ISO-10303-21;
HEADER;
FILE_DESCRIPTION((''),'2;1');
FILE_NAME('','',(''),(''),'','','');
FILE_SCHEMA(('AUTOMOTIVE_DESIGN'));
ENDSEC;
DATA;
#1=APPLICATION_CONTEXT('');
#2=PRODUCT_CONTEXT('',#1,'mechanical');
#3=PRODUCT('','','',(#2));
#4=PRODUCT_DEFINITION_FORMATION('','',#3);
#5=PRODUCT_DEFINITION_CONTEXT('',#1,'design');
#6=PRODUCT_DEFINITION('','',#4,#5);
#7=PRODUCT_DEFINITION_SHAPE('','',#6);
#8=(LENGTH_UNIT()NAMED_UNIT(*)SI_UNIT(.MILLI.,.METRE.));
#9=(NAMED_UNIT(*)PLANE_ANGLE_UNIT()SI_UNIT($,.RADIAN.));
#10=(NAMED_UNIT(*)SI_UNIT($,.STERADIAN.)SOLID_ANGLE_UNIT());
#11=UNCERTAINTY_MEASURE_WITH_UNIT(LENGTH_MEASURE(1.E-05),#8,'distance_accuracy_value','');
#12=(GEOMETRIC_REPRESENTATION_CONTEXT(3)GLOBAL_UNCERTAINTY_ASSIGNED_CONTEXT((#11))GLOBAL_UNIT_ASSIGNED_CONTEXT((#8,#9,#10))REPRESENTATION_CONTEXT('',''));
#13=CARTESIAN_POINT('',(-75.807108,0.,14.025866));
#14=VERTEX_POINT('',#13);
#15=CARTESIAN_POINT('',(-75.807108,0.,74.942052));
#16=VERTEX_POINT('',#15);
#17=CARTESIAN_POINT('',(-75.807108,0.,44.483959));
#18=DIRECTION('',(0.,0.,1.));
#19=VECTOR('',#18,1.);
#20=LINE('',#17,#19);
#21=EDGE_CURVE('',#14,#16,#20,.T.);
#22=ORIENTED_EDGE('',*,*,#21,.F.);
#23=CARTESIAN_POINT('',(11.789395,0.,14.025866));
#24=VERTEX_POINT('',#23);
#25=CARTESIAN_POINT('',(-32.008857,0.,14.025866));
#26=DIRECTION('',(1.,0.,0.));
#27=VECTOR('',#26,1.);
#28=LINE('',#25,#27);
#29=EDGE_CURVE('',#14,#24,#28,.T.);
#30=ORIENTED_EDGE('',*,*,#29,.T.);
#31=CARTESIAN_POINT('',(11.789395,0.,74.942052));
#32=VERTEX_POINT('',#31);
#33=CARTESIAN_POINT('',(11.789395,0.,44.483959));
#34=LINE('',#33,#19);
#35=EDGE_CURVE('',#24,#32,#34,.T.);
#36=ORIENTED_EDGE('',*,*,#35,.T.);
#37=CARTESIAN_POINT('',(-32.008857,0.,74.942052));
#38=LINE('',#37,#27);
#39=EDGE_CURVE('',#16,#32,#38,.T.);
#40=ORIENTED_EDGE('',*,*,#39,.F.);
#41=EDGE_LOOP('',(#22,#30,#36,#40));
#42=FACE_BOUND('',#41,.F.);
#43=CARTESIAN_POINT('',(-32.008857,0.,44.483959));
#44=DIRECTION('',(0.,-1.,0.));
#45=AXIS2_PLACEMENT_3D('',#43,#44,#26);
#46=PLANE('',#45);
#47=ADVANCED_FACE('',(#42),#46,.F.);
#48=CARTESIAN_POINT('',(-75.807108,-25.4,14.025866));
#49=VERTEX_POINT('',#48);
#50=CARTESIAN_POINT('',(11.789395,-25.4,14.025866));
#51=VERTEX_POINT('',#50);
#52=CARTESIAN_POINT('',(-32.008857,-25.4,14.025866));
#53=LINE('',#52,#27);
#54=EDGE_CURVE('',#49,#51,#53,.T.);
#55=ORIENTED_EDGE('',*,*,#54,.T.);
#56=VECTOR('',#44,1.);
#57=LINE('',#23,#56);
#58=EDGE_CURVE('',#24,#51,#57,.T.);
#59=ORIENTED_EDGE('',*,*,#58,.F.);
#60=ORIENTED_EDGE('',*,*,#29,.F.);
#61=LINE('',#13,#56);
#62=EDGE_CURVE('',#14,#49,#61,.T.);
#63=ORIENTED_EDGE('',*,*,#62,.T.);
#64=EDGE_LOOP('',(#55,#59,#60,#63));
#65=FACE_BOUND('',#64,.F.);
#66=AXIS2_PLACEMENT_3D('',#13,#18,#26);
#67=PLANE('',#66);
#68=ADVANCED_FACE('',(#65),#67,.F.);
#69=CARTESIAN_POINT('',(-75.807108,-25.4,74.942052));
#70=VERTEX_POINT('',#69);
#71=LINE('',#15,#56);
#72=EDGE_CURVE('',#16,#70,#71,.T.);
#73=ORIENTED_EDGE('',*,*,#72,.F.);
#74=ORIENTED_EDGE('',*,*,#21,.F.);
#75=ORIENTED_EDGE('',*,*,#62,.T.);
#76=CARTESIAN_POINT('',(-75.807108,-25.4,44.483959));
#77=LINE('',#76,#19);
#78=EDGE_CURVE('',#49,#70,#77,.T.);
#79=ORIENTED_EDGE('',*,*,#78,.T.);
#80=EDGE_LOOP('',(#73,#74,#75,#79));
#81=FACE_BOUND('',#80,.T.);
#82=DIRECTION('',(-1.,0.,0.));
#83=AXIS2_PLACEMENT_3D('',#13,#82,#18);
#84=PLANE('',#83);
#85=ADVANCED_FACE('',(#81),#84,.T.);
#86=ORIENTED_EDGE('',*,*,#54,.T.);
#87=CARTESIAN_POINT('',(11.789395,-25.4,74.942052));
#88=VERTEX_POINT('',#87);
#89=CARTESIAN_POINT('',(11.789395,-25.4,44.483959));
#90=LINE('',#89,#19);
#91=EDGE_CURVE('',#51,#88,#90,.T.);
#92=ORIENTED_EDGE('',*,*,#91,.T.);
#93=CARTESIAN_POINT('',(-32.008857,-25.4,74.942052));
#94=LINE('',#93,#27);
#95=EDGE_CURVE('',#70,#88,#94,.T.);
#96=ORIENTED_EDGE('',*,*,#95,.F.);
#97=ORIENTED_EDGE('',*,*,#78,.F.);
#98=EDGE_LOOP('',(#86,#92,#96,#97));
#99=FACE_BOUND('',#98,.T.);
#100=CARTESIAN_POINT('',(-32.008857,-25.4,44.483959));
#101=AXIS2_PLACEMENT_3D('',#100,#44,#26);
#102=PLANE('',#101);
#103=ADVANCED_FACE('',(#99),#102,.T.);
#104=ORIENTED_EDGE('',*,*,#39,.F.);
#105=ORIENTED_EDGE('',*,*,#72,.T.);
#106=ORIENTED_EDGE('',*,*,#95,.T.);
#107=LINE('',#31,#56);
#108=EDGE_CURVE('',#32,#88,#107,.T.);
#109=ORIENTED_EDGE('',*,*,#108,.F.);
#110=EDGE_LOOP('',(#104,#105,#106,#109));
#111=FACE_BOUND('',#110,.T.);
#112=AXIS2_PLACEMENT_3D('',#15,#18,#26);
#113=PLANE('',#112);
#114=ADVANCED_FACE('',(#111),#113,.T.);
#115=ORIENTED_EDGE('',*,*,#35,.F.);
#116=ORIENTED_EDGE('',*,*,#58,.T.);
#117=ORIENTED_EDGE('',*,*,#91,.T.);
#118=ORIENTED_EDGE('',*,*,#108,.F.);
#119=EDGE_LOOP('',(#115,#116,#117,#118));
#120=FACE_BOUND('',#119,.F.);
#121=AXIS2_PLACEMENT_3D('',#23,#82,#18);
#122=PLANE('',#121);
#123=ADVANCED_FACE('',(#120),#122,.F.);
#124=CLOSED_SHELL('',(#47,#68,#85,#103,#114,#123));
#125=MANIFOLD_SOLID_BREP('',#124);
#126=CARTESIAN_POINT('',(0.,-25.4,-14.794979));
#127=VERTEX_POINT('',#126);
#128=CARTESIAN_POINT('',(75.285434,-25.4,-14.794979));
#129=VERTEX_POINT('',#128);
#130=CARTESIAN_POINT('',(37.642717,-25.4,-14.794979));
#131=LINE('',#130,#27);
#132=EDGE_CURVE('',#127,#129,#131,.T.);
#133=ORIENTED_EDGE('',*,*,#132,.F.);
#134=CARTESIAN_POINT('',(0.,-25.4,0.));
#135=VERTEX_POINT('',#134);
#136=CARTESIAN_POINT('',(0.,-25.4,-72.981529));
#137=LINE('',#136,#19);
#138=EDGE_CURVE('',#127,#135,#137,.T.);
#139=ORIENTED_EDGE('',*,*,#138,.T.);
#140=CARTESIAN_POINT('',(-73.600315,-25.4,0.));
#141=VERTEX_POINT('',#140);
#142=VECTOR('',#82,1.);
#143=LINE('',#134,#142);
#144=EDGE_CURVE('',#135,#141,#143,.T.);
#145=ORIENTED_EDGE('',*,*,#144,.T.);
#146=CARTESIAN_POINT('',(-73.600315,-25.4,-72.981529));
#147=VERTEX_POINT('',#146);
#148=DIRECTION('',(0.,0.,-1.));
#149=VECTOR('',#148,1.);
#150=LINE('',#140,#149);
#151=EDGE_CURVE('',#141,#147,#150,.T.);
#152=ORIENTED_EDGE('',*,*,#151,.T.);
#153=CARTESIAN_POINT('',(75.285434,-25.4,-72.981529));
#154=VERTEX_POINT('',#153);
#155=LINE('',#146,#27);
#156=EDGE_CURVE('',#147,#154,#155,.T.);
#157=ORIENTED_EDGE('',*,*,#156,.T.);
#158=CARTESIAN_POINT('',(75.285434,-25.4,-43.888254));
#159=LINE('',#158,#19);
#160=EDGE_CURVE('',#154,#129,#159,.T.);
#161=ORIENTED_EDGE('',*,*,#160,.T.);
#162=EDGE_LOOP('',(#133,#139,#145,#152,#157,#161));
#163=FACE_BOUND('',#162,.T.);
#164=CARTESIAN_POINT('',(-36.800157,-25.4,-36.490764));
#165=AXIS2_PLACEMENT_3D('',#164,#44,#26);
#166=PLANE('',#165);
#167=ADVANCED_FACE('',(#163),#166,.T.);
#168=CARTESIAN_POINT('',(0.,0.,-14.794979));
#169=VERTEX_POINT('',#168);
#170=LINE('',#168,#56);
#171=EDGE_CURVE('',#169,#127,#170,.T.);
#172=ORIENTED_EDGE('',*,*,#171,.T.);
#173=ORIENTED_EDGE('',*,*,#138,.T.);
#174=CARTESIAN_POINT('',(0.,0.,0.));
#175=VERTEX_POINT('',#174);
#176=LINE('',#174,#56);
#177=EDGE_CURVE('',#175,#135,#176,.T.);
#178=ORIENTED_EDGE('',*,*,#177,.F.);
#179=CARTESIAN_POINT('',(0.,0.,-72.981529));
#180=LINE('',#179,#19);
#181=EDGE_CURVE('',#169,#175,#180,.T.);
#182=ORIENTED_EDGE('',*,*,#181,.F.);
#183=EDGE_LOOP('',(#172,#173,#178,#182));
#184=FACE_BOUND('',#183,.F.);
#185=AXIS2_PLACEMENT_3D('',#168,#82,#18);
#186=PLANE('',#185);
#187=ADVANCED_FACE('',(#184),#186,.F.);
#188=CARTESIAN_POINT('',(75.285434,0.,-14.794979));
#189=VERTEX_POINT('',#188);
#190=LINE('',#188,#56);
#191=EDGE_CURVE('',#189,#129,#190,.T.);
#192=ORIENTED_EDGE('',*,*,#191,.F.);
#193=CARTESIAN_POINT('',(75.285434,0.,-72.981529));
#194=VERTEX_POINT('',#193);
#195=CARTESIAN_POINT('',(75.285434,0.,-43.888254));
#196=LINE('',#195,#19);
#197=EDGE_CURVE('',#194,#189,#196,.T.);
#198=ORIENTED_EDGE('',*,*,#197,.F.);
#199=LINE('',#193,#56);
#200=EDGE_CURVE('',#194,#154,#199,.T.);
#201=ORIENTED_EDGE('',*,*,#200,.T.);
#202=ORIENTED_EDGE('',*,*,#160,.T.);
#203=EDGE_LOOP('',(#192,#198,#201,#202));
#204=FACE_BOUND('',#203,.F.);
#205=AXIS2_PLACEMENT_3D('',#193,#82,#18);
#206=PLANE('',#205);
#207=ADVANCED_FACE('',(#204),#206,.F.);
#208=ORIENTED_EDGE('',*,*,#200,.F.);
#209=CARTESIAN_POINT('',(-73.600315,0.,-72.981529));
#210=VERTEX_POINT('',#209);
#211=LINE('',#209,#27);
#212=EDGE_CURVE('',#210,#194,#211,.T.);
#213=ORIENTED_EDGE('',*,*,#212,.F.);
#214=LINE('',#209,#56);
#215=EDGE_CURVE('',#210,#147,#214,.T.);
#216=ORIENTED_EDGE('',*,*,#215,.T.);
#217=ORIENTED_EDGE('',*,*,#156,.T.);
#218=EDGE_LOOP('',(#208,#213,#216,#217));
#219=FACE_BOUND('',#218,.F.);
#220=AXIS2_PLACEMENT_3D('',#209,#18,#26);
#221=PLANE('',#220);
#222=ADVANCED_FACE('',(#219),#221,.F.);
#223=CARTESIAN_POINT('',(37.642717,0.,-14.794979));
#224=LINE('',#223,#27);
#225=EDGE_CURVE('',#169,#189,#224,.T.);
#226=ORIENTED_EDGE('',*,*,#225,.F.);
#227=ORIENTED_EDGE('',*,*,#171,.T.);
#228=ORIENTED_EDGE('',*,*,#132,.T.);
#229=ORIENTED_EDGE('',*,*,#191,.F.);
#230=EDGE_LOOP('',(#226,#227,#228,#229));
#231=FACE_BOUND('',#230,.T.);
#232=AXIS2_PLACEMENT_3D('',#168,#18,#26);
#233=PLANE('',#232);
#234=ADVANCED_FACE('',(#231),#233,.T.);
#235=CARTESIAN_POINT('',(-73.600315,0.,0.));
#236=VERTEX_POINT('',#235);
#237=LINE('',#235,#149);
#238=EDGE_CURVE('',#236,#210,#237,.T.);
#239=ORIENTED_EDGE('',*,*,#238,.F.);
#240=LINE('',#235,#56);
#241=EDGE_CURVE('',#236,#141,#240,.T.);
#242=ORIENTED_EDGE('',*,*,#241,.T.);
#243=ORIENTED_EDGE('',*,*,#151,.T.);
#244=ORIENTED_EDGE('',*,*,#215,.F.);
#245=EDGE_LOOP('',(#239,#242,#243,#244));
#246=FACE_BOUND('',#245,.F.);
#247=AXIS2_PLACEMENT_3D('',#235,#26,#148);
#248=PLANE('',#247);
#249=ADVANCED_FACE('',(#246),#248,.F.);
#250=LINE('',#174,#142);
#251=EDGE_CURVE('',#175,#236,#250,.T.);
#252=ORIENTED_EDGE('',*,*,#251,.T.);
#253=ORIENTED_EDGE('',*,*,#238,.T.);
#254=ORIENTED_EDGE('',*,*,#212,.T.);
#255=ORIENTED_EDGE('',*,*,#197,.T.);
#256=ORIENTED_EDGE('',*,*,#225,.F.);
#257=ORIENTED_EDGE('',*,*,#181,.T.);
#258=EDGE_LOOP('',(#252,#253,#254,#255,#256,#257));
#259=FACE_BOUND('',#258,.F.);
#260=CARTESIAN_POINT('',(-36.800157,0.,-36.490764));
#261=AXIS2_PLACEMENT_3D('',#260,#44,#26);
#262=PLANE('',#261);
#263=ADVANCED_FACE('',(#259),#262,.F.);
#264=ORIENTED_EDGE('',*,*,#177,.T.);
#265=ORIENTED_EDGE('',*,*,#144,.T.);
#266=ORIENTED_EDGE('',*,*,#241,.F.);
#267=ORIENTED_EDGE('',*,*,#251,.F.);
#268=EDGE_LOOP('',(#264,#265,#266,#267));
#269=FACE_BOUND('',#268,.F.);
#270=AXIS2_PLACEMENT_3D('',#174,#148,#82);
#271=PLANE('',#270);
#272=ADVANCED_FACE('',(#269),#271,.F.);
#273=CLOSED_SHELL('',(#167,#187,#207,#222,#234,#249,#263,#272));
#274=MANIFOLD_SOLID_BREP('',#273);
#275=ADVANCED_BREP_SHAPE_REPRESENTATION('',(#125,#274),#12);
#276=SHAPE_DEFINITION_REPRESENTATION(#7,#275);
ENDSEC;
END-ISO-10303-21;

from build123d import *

# Parameters (mm, degrees)
F0_W     = 87.596503
F0_H     = 60.916185
F1_DEPTH = 25.4
F2_W     = 75.285435
F2_H     = 58.18655
F3_DEPTH = 25.4


with BuildPart() as f1:
    # F0 (on Front) → F1 (new body)
    with BuildSketch(Plane.XZ):
        with Locations((-32.008857, 44.483959)):
            Rectangle(F0_W, F0_H)
    extrude(amount=F1_DEPTH)


with BuildPart() as f3:
    # F2 (on Front) → F3 (new body)
    with BuildSketch(Plane.XZ):
        Polygon((-73.600315, 0), (-73.600315, -72.981529), (0, -72.981529), (0, -14.794979), (0, 0), align=None)
        with Locations((37.642717, -43.888254)):
            Rectangle(F2_W, F2_H)
    extrude(amount=F3_DEPTH)


solid = Compound([f1.part, f3.part])
